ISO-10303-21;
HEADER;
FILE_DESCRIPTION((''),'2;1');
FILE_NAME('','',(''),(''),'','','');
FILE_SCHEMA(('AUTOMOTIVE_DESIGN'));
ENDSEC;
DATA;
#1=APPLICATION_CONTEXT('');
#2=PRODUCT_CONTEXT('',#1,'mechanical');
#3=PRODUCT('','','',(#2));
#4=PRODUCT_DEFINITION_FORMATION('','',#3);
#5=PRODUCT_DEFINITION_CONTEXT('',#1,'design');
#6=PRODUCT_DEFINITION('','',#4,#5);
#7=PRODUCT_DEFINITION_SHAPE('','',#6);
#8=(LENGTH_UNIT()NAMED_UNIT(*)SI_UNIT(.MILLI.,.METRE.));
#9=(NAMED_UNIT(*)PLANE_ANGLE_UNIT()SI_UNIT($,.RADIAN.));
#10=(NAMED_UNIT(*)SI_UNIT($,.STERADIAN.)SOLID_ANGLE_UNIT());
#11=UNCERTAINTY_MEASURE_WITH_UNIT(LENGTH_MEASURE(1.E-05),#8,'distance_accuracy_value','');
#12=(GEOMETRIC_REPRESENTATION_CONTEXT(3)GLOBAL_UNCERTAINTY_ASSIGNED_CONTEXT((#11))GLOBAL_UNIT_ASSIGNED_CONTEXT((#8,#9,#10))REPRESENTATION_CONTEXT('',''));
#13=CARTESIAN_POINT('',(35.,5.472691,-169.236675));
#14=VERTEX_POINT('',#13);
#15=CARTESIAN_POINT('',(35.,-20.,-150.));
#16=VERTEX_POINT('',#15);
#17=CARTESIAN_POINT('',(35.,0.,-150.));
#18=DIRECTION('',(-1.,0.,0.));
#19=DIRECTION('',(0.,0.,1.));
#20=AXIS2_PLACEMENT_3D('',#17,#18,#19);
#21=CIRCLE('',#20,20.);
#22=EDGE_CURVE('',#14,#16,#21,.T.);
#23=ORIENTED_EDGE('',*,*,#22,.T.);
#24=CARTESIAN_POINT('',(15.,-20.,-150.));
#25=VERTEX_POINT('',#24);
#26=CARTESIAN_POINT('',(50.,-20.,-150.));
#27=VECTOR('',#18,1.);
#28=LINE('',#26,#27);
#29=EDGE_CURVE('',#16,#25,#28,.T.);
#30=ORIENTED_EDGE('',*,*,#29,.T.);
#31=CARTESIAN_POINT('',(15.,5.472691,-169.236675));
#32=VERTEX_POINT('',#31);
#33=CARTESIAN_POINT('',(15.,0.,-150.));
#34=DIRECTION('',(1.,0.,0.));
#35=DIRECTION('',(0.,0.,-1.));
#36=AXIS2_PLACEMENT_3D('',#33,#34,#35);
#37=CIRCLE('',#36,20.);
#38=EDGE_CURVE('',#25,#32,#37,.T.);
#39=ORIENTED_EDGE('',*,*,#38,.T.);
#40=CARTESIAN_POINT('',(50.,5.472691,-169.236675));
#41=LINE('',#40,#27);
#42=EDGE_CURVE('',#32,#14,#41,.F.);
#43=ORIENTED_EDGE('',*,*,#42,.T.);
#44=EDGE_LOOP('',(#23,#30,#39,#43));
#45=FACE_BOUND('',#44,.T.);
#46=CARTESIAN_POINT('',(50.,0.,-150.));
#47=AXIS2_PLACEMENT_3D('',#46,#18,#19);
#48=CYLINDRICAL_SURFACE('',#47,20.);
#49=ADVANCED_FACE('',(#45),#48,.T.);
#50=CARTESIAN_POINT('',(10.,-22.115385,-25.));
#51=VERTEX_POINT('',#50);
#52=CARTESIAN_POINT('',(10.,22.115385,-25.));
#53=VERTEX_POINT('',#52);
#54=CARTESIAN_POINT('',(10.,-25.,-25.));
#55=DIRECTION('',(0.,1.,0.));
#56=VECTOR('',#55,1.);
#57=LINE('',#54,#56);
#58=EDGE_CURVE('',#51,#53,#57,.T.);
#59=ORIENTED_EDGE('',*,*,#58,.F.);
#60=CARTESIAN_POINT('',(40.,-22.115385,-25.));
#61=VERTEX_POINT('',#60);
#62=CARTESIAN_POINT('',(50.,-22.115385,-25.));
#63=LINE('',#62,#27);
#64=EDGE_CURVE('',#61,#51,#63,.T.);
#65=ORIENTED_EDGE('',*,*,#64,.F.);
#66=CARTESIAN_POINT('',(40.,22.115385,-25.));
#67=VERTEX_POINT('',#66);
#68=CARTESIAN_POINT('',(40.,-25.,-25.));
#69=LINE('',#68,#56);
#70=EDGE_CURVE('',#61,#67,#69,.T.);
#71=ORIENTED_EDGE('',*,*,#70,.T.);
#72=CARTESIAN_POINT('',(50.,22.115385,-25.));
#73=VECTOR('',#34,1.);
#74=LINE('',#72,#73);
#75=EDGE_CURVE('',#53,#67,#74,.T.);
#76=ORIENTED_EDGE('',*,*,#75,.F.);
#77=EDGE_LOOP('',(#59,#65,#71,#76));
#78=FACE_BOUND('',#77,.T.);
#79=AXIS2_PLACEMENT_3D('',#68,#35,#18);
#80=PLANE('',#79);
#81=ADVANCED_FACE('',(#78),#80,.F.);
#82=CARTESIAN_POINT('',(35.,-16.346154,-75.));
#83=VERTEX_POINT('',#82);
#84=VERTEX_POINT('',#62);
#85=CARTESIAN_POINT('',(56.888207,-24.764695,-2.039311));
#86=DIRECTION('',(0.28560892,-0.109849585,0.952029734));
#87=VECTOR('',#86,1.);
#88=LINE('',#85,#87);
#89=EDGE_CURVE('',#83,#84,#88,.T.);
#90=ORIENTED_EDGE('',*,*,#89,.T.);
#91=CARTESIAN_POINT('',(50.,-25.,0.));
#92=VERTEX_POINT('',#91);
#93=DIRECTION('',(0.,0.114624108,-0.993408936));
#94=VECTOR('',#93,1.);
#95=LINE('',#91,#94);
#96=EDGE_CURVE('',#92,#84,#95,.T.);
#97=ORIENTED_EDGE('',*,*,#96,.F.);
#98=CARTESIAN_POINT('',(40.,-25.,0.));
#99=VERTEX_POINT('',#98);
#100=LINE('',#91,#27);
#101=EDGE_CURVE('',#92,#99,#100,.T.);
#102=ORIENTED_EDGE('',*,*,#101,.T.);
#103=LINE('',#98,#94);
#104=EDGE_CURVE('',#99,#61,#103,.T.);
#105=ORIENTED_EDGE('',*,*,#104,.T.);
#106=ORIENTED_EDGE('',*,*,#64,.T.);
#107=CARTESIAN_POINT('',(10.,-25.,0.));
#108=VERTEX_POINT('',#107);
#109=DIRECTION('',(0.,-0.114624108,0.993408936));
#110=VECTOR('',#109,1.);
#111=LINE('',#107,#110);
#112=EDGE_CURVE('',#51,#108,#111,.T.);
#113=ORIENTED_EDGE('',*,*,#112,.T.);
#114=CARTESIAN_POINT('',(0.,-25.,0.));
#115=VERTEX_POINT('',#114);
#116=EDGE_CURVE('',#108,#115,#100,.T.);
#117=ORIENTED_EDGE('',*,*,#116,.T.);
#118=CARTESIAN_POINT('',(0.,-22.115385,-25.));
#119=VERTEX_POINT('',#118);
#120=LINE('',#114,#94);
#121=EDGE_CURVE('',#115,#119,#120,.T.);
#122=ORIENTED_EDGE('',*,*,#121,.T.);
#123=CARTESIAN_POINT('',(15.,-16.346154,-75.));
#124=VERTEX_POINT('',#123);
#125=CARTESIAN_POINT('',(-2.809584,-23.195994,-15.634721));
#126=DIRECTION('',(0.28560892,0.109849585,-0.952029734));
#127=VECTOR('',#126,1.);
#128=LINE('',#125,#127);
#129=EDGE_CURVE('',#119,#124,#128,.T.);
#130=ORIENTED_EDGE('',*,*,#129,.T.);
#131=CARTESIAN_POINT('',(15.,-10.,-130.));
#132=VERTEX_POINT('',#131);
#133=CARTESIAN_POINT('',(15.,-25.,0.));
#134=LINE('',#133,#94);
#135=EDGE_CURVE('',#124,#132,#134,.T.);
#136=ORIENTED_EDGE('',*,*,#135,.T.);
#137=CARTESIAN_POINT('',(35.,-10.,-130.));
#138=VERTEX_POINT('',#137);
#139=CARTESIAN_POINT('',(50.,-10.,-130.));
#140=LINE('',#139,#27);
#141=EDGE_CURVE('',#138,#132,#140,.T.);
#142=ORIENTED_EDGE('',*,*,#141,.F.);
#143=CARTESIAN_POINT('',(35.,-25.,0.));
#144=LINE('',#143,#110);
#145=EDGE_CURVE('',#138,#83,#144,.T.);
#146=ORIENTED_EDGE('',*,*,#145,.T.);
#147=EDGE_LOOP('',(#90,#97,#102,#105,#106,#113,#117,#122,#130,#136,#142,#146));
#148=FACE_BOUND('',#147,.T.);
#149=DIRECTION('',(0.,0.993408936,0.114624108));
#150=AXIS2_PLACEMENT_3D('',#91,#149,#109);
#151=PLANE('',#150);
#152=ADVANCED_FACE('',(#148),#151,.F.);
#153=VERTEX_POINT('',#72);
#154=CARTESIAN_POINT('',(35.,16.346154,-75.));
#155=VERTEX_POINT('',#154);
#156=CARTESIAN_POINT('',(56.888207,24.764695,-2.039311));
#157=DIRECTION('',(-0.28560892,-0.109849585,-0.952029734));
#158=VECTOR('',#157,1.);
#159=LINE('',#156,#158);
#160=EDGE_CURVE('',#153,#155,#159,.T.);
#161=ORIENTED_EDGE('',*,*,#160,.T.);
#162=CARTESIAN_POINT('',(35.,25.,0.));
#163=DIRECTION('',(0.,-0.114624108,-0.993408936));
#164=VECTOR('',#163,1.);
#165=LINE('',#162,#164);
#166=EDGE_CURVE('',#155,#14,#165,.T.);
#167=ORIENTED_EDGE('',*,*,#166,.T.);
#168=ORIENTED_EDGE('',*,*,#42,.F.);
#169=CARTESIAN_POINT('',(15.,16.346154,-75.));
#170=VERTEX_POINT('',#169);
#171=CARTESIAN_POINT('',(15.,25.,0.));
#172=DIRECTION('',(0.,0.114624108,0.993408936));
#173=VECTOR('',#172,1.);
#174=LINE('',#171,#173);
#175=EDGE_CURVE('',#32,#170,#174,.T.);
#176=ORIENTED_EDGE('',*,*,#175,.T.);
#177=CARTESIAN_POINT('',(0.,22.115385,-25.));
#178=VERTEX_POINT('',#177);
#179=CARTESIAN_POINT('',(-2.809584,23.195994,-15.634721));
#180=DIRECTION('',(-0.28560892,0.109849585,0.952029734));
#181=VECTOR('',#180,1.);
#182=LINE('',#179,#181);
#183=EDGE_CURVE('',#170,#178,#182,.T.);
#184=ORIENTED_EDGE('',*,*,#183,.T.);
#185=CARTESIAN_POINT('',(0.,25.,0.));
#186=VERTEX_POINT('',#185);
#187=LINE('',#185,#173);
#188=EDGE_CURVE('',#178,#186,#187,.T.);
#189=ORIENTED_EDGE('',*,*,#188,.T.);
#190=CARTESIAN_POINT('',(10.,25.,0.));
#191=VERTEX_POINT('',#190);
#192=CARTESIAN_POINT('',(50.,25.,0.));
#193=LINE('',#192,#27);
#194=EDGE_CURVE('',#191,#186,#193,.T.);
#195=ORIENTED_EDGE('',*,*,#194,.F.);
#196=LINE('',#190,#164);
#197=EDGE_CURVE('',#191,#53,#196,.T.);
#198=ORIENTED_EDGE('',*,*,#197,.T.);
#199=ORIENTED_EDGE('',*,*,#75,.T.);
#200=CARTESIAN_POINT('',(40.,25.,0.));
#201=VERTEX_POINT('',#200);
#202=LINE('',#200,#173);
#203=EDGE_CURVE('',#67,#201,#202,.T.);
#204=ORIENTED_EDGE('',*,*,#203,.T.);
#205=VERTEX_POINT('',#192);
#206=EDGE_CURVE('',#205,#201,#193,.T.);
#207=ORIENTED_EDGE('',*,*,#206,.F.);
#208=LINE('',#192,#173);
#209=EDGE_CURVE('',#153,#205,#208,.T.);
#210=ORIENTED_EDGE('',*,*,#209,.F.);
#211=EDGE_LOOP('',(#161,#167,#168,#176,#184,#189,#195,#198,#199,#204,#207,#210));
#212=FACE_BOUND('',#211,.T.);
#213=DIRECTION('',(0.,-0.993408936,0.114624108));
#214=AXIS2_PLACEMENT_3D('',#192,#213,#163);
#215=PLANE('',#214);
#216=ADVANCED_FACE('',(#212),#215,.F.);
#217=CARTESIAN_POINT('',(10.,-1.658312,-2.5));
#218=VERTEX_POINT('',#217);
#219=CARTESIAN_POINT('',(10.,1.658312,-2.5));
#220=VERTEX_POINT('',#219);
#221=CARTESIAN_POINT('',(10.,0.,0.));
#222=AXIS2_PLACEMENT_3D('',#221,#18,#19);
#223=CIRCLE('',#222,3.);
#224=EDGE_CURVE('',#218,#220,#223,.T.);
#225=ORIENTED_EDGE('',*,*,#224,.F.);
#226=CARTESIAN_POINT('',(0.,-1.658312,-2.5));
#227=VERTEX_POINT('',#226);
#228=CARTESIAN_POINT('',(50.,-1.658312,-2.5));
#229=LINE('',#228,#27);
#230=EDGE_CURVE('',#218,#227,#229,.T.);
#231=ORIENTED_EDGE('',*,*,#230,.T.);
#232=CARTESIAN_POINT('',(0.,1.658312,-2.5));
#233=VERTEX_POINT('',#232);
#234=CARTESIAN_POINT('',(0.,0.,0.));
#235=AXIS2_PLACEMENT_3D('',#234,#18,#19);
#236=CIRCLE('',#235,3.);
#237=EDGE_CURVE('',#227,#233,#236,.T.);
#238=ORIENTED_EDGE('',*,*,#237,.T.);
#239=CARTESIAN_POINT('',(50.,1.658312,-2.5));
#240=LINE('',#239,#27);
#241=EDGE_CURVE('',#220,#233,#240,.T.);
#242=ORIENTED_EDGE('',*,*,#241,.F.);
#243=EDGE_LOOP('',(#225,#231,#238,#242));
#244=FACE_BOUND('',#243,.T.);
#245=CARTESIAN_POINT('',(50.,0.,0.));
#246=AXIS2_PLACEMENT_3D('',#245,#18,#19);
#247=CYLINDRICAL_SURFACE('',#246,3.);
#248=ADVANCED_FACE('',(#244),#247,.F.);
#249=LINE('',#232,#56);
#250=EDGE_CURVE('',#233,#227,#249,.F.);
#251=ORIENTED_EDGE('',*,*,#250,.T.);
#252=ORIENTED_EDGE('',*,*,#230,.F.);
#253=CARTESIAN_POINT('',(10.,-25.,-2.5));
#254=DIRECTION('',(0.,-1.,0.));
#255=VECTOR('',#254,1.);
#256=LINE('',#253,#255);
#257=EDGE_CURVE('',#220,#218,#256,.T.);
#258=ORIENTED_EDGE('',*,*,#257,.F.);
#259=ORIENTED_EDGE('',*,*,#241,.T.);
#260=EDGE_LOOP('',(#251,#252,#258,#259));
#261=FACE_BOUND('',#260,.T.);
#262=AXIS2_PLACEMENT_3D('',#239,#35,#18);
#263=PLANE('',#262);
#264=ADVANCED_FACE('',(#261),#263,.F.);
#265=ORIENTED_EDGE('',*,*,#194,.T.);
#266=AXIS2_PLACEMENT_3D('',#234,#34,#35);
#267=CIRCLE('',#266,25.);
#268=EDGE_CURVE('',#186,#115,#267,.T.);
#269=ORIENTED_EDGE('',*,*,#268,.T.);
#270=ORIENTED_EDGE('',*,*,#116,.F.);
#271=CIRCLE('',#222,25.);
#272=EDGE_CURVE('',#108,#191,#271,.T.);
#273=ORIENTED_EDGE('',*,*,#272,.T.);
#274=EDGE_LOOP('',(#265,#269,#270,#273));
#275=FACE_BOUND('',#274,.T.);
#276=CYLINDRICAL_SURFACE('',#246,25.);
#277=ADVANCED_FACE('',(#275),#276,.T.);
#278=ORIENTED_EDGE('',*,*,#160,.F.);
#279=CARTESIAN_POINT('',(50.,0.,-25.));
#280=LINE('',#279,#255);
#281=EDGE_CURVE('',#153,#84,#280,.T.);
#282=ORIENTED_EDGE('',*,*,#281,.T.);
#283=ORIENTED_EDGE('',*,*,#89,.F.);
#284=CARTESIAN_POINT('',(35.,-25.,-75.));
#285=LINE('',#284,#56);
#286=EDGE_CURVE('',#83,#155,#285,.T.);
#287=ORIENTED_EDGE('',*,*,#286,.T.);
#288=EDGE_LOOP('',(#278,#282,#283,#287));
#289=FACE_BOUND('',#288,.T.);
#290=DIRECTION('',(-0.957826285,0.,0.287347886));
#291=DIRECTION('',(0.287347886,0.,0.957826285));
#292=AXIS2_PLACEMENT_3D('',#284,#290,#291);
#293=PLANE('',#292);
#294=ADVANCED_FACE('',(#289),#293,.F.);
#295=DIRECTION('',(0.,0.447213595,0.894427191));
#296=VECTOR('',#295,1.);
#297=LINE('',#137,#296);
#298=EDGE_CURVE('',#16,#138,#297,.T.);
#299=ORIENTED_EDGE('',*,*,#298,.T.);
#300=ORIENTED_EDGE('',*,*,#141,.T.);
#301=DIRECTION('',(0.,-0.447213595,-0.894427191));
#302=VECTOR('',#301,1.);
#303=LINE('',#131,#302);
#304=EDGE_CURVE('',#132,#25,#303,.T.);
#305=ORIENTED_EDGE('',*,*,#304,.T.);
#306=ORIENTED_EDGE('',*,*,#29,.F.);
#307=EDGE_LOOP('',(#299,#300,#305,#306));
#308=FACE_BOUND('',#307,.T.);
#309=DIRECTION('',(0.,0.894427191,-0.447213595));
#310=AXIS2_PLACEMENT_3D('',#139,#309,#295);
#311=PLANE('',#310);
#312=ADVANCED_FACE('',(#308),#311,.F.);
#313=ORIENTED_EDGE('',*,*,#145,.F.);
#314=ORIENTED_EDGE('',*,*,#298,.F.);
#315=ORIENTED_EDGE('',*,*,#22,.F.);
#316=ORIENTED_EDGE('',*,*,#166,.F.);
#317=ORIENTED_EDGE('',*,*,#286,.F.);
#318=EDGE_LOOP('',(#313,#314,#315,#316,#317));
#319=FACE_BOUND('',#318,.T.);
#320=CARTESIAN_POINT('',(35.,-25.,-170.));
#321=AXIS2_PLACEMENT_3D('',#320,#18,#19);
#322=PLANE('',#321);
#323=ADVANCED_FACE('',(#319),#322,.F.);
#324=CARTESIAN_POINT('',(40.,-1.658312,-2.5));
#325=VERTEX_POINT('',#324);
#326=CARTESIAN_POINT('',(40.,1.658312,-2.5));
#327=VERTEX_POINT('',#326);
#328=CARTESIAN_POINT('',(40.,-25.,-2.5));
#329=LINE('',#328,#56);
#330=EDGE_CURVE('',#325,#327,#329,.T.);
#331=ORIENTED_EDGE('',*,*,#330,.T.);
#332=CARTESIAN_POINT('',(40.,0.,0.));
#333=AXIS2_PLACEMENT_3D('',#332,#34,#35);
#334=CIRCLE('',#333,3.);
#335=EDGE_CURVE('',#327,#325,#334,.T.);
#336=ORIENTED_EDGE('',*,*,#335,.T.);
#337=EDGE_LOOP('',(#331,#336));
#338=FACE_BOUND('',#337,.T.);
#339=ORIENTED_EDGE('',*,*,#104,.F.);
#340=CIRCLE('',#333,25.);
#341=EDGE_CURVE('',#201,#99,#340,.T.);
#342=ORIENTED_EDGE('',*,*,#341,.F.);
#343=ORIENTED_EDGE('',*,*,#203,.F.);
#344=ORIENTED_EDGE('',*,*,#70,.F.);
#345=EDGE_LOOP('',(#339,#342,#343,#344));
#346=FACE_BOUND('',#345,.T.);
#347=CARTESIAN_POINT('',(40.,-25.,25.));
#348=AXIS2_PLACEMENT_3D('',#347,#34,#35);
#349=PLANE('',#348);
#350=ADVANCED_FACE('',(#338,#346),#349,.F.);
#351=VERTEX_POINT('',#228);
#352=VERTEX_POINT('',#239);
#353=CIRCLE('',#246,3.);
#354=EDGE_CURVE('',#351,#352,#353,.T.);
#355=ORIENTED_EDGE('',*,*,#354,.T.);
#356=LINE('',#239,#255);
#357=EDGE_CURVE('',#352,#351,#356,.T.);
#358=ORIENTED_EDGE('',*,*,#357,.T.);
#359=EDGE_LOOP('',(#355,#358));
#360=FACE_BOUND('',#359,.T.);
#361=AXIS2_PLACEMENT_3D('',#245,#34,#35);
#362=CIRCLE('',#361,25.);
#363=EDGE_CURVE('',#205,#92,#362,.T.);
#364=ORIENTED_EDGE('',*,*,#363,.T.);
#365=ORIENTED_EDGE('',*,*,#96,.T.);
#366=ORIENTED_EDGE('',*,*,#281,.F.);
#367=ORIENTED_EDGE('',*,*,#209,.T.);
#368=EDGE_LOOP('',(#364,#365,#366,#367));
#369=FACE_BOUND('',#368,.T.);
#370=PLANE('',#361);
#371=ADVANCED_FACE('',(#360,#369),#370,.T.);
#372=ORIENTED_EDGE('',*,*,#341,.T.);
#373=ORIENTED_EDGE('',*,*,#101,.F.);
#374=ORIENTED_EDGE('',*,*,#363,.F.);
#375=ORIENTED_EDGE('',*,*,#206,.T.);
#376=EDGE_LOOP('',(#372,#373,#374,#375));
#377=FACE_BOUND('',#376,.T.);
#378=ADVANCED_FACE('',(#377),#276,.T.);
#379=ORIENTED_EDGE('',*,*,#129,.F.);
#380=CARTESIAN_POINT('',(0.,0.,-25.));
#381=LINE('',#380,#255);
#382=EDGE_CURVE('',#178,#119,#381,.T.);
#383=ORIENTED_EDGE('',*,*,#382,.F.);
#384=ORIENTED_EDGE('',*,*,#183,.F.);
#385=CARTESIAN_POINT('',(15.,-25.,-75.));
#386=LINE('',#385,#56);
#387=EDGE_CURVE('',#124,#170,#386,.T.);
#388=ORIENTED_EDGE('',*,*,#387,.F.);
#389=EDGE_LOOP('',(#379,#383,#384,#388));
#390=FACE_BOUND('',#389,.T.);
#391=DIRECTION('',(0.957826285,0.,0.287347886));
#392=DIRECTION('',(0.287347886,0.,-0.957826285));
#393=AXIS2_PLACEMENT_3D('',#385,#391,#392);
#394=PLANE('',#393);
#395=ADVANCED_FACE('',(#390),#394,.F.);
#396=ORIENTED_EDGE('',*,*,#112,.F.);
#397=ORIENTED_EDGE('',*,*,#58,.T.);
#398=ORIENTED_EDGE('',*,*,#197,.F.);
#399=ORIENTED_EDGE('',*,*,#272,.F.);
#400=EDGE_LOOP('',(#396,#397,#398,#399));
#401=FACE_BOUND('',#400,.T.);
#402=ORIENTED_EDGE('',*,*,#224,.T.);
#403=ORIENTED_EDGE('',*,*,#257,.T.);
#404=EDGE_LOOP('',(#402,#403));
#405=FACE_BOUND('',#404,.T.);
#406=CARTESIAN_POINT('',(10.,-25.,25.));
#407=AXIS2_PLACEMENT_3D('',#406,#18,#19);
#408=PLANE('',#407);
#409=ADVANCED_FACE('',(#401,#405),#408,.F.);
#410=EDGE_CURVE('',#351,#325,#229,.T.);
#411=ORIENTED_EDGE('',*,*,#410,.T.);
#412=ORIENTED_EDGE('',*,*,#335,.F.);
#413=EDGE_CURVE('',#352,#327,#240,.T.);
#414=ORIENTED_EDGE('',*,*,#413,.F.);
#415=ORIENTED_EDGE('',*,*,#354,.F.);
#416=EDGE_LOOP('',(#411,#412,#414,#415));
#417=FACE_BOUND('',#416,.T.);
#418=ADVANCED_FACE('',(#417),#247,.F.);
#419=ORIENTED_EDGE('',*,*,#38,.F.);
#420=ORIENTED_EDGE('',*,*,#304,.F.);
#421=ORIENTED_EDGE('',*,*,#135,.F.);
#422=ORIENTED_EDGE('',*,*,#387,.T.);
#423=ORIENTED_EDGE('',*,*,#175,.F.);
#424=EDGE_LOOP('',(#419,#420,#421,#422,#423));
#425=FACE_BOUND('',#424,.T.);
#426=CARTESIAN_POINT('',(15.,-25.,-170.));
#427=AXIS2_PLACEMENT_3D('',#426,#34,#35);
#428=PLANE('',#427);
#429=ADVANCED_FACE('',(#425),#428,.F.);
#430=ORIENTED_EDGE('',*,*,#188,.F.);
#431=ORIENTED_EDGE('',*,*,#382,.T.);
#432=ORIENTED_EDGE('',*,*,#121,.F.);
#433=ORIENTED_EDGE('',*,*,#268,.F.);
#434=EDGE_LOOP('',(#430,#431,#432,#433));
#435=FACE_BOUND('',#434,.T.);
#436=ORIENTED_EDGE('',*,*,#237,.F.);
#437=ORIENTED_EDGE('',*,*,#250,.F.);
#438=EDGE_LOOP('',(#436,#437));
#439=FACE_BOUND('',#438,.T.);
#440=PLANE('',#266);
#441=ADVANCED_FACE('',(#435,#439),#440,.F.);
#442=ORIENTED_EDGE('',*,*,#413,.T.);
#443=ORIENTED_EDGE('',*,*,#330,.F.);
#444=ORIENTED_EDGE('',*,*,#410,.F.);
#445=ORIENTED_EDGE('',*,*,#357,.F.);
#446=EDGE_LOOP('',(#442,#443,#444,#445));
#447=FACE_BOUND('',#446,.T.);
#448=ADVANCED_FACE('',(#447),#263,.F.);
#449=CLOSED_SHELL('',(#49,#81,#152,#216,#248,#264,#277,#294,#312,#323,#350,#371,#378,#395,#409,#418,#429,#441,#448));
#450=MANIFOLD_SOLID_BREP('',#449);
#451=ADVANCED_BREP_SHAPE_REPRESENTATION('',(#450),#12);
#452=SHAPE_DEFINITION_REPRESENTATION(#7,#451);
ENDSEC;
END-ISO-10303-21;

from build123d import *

# Parameters (mm, degrees)
BOSS_EXTRUDE1_DEPTH     = 50
CUT_EXTRUDE1_DEPTH      = 179.955301682
CUT_EXTRUDE1_DEPTH_BACK = 179.955301682
CUT_EXTRUDE5_DEPTH      = 179.955301682
CUT_EXTRUDE5_DEPTH_BACK = 179.955301682
SKETCH5_W               = 30
SKETCH5_H               = 50
CUT_EXTRUDE6_DEPTH      = 176.356779168
CUT_EXTRUDE6_DEPTH_BACK = 176.356779168
CUT_EXTRUDE7_DEPTH      = 179.955301682
CUT_EXTRUDE7_DEPTH_BACK = 179.955301682


with BuildPart() as part:
    # Sketch1 → Boss-Extrude1 (new body)
    with BuildSketch(Plane(origin=(0, 0, 0), x_dir=(0, 0, -1), z_dir=(1, 0, 0))):
        with BuildLine():
            Line((0, 25), (130, 10))
            Line((130, 10), (150, 20))
            ThreePointArc((150, 20), (170, 0), (150, -20))
            Line((150, -20), (130, -10))
            Line((130, -10), (0, -25))
            ThreePointArc((0, -25), (-25, 0), (0, 25))
        make_face()
    extrude(amount=BOSS_EXTRUDE1_DEPTH)

    # Sketch3 → Cut-Extrude1 (cut, two sides: drawn at the far end of the back side and taken through both)
    with BuildSketch(Plane(origin=(0, 0, 0), x_dir=(1, 0, 0), z_dir=(0, 1, 0)).offset(-CUT_EXTRUDE1_DEPTH_BACK)):
        Polygon((15, 170), (15, 75), (0, 25), (-45.149252574, 25), (-45.149252574, 231.988814071), (97.66148476, 231.988814071), (97.66148476, 25), (50, 25), (35, 75), (35, 170), align=None)
    extrude(amount=CUT_EXTRUDE1_DEPTH + CUT_EXTRUDE1_DEPTH_BACK, mode=Mode.SUBTRACT)

    # Sketch5 → Cut-Extrude5 (cut, two sides: drawn at the far end of the back side and taken through both)
    with BuildSketch(Plane(origin=(0, 0, 0), x_dir=(1, 0, 0), z_dir=(0, 1, 0)).offset(-CUT_EXTRUDE5_DEPTH_BACK)):
        with Locations((25, 0)):
            Rectangle(SKETCH5_W, SKETCH5_H)
    extrude(amount=CUT_EXTRUDE5_DEPTH + CUT_EXTRUDE5_DEPTH_BACK, mode=Mode.SUBTRACT)

    # Sketch6 → Cut-Extrude6 (cut, two sides: drawn at the far end of the back side and taken through both)
    with BuildSketch(Plane.ZY.offset(-15).offset(-CUT_EXTRUDE6_DEPTH_BACK)):
        Polygon((-130, 10), (-189.136006784, 3.176614602), (-191.554152375, 31.687839347), (-130.171893451, 25.24666108), align=None)
    extrude(amount=CUT_EXTRUDE6_DEPTH + CUT_EXTRUDE6_DEPTH_BACK, mode=Mode.SUBTRACT)

    # Sketch7 → Cut-Extrude7 (cut, two sides: drawn at the far end of the back side and taken through both)
    with BuildSketch(Plane.ZY.offset(-CUT_EXTRUDE7_DEPTH_BACK)):
        with BuildLine():
            Line((-2.5, 1.658312395), (-2.5, -1.658312395))
            ThreePointArc((-2.5, -1.658312395), (3, 0), (-2.5, 1.658312395))
        make_face()
    extrude(amount=CUT_EXTRUDE7_DEPTH + CUT_EXTRUDE7_DEPTH_BACK, mode=Mode.SUBTRACT)


solid = part.part
